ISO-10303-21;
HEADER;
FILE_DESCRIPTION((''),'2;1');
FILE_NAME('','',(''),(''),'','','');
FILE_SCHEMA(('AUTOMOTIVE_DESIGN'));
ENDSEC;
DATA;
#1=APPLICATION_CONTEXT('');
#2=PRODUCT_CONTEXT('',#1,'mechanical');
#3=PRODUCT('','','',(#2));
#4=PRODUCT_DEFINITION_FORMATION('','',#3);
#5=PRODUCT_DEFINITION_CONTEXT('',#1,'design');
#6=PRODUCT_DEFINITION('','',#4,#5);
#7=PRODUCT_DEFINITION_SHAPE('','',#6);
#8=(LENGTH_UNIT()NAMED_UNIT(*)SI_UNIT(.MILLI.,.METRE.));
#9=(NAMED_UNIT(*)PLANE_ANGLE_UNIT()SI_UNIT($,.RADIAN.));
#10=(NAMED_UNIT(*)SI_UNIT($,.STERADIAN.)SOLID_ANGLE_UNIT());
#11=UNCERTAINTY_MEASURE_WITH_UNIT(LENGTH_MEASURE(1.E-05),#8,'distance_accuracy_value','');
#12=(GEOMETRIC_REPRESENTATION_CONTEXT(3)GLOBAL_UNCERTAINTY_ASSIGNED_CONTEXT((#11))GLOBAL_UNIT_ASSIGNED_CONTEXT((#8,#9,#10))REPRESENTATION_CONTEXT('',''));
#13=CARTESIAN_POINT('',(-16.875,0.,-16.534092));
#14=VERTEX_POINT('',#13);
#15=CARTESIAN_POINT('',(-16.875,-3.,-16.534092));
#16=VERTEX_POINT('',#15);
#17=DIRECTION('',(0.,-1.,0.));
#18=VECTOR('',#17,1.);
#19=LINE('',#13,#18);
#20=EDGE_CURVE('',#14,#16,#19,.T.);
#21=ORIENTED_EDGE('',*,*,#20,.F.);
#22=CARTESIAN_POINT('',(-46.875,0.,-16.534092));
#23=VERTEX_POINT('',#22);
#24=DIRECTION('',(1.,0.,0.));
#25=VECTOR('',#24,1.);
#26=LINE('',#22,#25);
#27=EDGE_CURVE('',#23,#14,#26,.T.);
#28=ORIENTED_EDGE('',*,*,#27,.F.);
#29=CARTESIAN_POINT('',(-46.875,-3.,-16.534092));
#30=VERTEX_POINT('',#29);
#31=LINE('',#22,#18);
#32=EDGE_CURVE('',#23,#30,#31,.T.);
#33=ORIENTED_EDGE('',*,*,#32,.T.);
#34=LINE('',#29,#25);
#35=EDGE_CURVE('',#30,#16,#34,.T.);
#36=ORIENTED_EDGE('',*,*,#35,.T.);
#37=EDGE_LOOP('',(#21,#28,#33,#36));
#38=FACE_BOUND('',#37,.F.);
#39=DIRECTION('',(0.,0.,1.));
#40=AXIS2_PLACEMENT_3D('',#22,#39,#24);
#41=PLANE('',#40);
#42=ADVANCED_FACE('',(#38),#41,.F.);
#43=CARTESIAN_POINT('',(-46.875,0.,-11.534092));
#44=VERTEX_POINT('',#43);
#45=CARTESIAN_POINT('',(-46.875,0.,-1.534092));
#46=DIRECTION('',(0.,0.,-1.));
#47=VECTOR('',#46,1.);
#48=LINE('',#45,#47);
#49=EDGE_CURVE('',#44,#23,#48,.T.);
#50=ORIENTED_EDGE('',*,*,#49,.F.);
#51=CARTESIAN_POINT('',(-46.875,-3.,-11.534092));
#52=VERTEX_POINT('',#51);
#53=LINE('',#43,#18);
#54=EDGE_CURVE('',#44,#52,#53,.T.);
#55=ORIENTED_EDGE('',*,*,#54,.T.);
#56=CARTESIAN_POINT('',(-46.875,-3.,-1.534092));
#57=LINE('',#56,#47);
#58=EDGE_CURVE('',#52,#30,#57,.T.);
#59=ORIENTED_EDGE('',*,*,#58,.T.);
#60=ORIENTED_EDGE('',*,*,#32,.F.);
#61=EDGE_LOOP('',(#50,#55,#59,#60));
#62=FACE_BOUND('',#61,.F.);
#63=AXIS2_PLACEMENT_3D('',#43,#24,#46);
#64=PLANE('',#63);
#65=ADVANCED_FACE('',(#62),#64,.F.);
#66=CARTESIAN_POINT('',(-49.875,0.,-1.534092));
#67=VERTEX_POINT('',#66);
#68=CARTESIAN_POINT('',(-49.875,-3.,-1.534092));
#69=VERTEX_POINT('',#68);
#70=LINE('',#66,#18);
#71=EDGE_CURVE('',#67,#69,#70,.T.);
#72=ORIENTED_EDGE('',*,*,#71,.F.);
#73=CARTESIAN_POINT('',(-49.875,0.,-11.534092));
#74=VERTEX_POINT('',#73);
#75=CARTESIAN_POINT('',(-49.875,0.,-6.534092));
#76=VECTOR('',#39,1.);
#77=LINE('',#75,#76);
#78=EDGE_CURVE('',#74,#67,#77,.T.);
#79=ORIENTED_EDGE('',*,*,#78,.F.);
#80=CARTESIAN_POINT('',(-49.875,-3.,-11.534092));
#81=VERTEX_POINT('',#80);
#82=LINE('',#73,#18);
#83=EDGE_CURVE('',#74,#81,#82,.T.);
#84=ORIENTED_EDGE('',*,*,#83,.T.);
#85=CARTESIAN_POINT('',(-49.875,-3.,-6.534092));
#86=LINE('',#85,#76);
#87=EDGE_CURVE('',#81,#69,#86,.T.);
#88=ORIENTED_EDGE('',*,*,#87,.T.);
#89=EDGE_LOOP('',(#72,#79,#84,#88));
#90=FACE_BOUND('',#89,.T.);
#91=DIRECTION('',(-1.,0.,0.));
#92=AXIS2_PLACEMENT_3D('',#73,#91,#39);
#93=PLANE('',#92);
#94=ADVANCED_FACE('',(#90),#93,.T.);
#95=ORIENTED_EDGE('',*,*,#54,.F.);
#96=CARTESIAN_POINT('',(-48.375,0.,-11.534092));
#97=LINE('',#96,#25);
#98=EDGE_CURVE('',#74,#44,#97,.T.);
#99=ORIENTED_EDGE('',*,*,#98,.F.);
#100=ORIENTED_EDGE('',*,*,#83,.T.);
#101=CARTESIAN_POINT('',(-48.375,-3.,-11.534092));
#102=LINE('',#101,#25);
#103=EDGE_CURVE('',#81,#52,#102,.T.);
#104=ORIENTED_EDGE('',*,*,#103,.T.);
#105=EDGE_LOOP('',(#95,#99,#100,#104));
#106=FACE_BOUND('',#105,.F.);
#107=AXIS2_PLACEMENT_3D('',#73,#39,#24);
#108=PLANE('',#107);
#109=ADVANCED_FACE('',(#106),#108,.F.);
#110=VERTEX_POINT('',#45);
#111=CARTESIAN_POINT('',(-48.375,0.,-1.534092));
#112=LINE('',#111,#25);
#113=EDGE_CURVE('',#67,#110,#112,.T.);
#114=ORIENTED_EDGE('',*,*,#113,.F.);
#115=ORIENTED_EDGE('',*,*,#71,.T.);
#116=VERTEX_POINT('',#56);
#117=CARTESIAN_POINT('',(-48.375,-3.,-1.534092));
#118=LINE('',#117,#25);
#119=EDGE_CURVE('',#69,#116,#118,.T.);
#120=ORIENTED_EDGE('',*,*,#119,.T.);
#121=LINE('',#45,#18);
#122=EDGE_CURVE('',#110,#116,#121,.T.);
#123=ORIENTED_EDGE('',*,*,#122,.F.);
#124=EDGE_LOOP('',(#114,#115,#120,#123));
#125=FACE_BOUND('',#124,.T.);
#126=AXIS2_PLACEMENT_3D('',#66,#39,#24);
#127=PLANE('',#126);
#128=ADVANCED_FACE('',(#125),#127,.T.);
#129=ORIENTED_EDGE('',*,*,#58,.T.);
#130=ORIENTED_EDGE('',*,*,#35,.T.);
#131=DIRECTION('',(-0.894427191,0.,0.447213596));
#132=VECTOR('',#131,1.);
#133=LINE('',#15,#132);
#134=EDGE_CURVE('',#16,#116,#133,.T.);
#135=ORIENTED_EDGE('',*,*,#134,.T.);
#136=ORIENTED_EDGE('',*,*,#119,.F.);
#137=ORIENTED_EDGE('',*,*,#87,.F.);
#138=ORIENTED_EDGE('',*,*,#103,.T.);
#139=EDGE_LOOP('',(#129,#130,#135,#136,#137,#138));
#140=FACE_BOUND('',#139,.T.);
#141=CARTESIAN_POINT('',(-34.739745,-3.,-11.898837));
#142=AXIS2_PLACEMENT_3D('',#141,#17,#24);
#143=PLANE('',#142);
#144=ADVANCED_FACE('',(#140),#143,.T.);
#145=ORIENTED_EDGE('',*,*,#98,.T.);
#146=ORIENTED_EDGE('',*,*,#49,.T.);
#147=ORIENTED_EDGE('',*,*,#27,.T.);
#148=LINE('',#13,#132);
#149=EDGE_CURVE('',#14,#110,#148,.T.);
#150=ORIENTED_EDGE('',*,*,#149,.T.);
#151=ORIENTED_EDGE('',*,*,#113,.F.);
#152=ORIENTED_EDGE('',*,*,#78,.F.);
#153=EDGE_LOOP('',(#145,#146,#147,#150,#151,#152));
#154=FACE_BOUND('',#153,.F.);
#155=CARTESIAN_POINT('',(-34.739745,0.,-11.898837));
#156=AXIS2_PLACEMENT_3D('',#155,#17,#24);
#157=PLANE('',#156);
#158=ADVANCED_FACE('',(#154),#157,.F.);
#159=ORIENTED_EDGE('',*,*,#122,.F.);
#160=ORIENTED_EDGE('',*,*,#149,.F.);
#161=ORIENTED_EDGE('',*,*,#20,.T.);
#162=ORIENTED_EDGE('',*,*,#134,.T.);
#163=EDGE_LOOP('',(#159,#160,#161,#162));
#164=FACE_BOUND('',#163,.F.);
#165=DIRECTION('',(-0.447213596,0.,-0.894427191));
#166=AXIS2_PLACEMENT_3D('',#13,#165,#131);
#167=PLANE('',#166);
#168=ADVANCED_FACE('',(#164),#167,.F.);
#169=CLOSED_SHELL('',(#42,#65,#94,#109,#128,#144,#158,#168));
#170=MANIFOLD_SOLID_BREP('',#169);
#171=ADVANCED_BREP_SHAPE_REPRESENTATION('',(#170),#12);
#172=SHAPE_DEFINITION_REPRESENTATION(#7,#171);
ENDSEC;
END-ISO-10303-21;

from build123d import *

# Parameters (mm, degrees)
F0_W     = 3
F0_H     = 10
F1_DEPTH = 3


with BuildPart() as f1:
    # F0 (on Front) → F1 (new body)
    with BuildSketch(Plane.XZ):
        Polygon((-16.875, -16.534092), (-46.875, -1.534092), (-46.875, -11.534092), (-46.875, -16.534092), align=None)
        with Locations((-48.375, -6.534092)):
            Rectangle(F0_W, F0_H)
    extrude(amount=F1_DEPTH)


solid = f1.part
